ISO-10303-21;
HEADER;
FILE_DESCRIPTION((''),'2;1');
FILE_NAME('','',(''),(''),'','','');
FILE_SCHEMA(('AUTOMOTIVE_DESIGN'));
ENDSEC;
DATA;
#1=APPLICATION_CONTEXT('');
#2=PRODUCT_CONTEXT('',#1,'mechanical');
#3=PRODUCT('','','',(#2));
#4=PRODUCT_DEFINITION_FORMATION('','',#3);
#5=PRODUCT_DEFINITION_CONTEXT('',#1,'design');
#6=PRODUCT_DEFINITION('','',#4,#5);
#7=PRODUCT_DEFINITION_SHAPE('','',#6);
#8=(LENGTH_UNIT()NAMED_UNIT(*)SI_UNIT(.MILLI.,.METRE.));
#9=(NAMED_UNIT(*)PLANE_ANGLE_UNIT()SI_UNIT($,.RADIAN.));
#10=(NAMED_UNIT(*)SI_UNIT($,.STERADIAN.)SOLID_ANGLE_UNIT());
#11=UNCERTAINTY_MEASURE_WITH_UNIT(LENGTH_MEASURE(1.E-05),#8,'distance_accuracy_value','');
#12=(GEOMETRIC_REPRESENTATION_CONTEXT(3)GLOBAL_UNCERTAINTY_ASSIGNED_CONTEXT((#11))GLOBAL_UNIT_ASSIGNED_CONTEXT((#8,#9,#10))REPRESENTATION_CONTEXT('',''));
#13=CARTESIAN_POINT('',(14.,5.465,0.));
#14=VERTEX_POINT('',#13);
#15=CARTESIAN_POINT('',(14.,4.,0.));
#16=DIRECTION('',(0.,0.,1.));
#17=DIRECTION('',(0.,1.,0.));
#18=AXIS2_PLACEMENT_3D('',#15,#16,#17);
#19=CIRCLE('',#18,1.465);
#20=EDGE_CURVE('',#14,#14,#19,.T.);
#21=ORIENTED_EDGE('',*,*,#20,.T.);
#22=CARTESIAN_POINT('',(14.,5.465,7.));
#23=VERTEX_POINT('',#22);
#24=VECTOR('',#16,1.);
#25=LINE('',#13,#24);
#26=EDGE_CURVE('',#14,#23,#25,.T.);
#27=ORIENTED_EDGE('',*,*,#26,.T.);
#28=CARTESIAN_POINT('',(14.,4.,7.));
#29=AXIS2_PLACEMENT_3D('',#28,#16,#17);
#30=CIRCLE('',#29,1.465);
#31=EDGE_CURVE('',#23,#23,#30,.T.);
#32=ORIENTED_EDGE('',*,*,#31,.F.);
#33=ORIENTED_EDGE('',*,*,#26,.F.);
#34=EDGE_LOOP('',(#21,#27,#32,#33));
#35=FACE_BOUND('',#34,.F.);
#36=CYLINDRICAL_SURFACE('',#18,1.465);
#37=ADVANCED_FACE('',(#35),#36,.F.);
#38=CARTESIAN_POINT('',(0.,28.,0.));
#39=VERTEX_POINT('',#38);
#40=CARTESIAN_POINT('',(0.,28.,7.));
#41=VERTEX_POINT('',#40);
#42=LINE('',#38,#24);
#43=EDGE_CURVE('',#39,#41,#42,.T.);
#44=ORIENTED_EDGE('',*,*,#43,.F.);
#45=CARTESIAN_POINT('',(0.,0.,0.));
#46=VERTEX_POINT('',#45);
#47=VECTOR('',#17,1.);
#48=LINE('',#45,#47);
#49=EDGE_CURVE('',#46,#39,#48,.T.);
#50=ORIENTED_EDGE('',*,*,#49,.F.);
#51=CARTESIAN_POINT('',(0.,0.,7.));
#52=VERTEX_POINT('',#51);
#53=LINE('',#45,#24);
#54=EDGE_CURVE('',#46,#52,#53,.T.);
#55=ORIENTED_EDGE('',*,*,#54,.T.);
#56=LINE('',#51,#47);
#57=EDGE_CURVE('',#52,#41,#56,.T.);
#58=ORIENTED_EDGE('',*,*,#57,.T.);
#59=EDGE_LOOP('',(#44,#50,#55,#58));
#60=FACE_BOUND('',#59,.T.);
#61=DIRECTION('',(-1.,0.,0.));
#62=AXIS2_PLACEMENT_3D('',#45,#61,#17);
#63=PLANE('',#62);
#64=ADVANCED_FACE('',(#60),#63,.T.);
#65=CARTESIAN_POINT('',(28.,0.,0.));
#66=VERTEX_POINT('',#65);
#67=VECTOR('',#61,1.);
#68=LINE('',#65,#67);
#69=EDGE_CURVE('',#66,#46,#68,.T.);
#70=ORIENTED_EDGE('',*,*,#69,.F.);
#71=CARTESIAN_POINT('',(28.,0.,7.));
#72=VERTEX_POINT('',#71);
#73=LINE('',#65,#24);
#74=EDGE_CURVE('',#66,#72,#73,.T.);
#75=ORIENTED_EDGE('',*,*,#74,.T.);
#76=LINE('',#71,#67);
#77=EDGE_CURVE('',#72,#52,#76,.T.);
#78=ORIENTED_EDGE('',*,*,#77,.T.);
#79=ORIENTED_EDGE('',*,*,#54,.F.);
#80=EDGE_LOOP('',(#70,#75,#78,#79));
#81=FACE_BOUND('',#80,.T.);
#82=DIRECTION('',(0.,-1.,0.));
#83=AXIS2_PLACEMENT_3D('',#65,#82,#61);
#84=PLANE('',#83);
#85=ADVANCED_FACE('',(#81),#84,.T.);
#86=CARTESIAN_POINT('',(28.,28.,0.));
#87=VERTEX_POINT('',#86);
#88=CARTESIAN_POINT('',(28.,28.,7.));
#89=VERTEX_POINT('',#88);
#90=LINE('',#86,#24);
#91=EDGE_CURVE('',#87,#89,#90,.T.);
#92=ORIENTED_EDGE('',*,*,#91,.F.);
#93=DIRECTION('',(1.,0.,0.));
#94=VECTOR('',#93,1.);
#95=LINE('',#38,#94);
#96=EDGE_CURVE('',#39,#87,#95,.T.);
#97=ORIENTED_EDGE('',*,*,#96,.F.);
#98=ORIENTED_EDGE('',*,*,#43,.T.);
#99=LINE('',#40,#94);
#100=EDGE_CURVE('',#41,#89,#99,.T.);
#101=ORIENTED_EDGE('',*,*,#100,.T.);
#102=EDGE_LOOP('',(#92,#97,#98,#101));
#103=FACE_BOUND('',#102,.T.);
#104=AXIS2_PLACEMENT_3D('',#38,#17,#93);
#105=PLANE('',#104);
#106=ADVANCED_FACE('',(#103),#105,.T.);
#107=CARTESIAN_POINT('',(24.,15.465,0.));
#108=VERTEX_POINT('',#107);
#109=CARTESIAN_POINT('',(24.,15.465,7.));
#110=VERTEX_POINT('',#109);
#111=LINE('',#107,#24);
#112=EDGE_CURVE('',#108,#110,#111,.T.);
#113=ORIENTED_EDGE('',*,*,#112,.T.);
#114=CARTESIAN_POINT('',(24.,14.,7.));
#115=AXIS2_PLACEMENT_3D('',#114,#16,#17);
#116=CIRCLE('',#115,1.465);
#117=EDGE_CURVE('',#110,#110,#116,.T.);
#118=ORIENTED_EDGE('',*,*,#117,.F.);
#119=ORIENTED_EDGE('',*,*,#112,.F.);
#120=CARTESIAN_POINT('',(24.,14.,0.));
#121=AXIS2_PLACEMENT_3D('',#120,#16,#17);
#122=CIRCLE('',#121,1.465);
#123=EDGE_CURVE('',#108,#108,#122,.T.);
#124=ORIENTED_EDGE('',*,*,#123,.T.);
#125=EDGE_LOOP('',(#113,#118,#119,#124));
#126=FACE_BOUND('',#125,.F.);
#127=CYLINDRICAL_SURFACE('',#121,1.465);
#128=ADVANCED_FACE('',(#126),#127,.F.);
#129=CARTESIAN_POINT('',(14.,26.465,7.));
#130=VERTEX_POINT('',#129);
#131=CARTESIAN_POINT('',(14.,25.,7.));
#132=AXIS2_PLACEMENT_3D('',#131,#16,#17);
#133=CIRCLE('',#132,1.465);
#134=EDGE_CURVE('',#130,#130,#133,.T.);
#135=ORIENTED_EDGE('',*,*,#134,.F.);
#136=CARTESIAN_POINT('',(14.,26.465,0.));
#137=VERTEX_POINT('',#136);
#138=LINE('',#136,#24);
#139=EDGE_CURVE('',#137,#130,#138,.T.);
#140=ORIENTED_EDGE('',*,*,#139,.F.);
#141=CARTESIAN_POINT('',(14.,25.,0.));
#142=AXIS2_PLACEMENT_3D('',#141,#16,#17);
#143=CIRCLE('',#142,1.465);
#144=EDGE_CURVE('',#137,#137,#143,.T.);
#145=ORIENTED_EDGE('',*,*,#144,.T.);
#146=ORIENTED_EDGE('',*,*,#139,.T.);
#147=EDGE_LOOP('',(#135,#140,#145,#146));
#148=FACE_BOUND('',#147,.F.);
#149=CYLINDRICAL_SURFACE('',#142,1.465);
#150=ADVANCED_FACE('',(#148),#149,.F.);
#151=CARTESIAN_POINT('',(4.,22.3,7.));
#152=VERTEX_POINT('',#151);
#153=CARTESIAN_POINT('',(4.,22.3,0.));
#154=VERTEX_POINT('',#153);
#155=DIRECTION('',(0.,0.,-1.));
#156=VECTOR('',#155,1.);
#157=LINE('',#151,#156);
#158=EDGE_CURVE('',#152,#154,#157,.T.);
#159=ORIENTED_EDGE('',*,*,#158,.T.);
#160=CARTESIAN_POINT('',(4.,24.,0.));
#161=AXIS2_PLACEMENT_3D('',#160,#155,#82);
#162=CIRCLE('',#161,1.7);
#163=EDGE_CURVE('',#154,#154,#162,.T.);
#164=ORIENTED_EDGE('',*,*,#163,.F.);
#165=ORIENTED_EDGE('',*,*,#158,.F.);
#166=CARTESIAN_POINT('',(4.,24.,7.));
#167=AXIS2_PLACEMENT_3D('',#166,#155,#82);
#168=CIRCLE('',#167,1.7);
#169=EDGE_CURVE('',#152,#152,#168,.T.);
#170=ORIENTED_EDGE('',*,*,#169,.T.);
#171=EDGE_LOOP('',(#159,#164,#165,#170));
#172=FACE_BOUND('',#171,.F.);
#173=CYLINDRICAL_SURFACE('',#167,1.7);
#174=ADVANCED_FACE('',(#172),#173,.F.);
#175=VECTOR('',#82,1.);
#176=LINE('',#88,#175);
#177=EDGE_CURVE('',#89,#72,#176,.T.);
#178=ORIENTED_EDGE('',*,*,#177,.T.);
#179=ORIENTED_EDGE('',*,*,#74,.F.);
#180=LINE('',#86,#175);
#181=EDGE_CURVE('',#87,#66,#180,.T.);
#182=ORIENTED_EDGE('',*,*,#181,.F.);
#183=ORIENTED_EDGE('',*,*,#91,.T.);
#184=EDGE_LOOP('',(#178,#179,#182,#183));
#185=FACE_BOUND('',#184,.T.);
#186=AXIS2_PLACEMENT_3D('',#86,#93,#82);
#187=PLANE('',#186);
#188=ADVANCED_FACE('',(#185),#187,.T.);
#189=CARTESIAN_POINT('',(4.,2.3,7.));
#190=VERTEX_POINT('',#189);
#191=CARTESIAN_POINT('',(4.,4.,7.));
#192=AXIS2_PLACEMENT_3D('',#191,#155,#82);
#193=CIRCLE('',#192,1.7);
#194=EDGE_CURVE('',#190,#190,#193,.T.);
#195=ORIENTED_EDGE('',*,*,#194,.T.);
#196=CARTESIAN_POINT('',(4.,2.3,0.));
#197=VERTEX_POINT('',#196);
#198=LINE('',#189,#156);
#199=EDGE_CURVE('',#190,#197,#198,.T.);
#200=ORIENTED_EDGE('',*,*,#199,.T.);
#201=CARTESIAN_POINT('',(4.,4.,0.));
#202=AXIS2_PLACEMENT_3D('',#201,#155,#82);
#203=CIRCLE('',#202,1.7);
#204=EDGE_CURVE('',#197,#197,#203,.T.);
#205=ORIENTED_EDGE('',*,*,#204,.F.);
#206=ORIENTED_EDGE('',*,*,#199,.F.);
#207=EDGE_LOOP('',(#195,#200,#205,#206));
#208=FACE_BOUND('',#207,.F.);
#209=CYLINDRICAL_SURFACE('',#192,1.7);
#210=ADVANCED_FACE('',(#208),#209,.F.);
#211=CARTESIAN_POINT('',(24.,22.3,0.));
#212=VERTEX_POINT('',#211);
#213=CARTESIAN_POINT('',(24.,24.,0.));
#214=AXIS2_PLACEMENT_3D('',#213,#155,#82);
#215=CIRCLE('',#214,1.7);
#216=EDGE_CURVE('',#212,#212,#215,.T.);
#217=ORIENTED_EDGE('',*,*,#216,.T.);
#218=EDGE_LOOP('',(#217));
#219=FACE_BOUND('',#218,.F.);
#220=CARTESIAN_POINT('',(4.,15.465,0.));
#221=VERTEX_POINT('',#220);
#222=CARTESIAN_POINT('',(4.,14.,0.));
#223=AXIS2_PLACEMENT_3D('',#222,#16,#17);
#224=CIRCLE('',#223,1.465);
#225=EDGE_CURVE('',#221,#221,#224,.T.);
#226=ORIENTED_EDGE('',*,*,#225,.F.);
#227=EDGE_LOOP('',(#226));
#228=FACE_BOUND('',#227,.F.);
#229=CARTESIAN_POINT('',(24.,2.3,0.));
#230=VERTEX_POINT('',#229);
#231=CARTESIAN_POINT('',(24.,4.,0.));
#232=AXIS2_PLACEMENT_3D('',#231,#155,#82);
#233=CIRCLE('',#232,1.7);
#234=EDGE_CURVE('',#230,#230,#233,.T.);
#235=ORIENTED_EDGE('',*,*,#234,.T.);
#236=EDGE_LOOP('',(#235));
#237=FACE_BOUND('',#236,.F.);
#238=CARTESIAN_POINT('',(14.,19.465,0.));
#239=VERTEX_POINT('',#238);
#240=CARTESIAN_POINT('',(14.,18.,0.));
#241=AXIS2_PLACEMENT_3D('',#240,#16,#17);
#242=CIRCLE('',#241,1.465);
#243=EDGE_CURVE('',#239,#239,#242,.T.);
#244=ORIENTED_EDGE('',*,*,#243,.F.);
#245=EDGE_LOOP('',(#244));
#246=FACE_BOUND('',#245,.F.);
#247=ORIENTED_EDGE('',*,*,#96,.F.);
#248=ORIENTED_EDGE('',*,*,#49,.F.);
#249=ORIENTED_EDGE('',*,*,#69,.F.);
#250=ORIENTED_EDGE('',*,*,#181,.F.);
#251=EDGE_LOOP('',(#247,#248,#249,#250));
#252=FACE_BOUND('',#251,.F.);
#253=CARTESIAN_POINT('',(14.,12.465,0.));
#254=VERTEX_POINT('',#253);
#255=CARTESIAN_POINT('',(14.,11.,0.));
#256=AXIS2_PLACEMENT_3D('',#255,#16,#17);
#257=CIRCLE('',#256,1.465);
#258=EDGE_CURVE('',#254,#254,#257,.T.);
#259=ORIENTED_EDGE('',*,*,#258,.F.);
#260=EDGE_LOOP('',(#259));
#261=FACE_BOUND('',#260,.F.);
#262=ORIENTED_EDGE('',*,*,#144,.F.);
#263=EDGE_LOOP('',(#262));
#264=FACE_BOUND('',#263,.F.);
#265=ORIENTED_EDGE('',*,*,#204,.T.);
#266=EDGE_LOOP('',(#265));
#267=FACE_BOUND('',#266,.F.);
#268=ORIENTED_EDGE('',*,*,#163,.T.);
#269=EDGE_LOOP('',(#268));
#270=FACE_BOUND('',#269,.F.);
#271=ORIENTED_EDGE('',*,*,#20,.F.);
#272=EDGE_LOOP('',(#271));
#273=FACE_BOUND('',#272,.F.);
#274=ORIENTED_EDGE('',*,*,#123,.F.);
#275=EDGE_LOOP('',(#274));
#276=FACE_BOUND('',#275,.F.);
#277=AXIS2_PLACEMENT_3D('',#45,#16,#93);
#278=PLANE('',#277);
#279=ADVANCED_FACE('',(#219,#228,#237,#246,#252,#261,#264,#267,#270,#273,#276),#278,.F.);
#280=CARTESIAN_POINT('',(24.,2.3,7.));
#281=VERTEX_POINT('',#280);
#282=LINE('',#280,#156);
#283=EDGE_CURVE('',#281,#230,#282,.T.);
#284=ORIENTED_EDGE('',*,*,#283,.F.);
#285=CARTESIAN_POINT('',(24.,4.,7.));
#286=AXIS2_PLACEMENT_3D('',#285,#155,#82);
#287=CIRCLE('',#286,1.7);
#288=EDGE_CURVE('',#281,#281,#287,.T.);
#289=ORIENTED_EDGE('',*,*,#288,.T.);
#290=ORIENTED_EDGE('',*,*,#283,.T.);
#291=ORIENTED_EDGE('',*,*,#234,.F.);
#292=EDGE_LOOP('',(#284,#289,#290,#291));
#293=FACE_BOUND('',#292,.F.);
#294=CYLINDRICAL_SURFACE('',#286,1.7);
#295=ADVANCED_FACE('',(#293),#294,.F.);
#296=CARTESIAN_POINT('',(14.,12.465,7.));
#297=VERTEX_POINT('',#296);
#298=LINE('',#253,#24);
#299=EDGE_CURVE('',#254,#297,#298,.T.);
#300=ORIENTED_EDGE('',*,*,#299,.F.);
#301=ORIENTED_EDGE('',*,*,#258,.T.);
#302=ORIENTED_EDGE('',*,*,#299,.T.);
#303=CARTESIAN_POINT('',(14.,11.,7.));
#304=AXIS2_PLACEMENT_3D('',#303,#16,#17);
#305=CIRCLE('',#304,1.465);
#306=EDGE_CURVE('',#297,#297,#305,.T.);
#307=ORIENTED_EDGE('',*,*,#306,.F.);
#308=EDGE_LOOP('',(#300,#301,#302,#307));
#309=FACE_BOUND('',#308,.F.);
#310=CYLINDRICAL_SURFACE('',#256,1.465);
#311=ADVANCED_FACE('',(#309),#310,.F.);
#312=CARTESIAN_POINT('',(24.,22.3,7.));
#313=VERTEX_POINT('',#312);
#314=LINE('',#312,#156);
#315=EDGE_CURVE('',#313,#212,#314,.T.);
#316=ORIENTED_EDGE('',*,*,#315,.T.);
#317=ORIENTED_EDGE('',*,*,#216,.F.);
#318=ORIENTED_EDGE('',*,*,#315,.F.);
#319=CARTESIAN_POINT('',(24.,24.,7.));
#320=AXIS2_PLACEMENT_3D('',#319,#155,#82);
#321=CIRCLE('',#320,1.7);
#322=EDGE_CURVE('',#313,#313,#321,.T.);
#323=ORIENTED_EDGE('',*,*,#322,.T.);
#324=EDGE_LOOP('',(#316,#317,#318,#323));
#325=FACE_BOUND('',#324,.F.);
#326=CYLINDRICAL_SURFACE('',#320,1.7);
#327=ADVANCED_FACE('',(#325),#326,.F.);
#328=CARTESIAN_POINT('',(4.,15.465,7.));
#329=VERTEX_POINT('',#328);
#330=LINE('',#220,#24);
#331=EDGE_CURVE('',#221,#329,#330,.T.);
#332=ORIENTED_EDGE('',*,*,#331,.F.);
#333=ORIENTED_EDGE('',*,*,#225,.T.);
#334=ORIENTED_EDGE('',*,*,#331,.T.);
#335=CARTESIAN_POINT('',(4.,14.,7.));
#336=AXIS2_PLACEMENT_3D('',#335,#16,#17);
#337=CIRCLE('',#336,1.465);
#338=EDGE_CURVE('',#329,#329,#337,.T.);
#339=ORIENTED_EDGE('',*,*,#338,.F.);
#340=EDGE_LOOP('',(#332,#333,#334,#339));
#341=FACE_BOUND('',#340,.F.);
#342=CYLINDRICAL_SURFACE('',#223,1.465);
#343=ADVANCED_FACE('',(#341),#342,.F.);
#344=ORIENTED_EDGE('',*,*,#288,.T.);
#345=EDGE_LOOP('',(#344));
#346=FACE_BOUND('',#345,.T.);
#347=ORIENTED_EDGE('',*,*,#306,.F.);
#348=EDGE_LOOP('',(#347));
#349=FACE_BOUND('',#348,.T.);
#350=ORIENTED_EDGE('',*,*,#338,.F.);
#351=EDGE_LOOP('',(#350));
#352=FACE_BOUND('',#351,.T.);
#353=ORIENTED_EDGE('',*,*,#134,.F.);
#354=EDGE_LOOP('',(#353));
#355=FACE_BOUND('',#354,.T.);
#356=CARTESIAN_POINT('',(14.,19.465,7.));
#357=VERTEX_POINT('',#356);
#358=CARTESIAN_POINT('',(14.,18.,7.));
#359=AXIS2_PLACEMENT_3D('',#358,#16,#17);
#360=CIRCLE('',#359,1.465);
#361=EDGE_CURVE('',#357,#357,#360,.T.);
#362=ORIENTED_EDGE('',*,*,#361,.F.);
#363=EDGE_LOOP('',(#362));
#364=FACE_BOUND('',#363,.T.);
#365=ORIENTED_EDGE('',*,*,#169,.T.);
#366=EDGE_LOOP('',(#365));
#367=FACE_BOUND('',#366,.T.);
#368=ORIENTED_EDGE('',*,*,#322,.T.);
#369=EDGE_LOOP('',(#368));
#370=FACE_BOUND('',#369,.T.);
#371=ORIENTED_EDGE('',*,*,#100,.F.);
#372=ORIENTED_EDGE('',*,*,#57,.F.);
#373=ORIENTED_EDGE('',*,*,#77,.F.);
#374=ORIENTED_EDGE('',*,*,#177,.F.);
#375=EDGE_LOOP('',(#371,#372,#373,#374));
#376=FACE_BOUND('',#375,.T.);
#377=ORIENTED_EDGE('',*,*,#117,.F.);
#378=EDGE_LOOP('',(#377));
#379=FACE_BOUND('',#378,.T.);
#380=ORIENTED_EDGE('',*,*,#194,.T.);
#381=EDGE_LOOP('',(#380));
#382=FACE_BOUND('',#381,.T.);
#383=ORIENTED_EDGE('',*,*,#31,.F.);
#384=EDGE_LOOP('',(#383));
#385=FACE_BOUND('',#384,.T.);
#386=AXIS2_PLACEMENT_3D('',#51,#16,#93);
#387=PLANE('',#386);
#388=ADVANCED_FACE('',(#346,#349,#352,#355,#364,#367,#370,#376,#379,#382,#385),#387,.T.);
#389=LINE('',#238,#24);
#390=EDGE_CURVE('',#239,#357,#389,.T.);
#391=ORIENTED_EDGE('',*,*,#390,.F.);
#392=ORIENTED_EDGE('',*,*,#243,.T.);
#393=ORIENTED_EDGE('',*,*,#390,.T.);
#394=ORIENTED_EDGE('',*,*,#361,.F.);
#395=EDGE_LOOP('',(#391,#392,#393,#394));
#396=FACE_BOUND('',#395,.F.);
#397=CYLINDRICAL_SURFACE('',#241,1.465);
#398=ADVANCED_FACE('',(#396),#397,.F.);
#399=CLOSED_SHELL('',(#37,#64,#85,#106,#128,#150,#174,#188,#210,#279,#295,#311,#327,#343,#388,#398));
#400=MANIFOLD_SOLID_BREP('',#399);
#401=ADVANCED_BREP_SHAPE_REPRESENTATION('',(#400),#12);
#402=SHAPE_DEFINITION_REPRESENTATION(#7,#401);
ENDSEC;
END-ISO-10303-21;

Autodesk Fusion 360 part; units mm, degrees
sketch "Sketch1" plane through (0, 0, 0) normal (0, 0, 1) x (1, 0, 0)
  line L0 (0, 28) -> (28, 28)
  line L1 (28, 28) -> (28, 0)
  line L2 (28, 0) -> (0, 0)
  line L3 (0, 0) -> (0, 28)
  dimension "d1" = 28
  dimension "d2" = 28
  dimension "d13" = 28
  dimension "d14" = 28
sketch "Sketch2" plane through (0, 0, 0) normal (0, 0, 1) x (1, 0, 0)
  circle A0 centre (4, 24) radius 1.5
  circle A1 centre (4, 4) radius 1.5
  circle A2 centre (24, 4) radius 1.5
  circle A3 centre (24, 24) radius 1.5
  circle A4 centre (4, 14) radius 1.5
  circle A5 centre (14, 25) radius 1.5
  circle A6 centre (14, 18) radius 1.5
  circle A7 centre (14, 4) radius 1.5
  circle A8 centre (24, 14) radius 1.5
  circle A9 centre (14, 11) radius 1.5
  dimension "d15" = 3
  dimension "d16" = 3
  dimension "d17" = 3
  dimension "d18" = 3
  dimension "d19" = 3
  dimension "d20" = 3
  dimension "d21" = 3
  dimension "d22" = 3
  dimension "d23" = 3
  dimension "d24" = 3
  dimension "d25" = 10
  dimension "d26" = 10
  dimension "d27" = 10
  dimension "d28" = 10
  dimension "d29" = 10
  dimension "d30" = 10
  dimension "d31" = 7
  dimension "d32" = 7
  dimension "d33" = 7
extrude "Extrude1" add sketch "Sketch1" along normal blind 7
hole "Hole1" at (14, 25, 0) at (4, 14, 0) at (14, 18, 0) at (14, 11, 0) at (24, 14, 0) at (14, 4, 0) direction (0, 0, 1) diameter 2.93 depth 7 tip angle 180
sketch "Sketch3" plane through (0, 0, 7) normal (0, 0, 1) x (-1, 0, 0)
  circle A0 centre (-24, -14) radius 1.465
  circle A1 centre (-14, -18) radius 1.465
  circle A2 centre (-14, -25) radius 1.465
  circle A3 centre (-4, -14) radius 1.465
  circle A4 centre (-14, -11) radius 1.465
  circle A5 centre (-14, -4) radius 1.465
  line L0 (0, 0) -> (-28, 0)
  line L1 (-28, 0) -> (-28, -28)
  line L2 (-28, -28) -> (0, -28)
  line L3 (0, -28) -> (0, 0)
  circle A6 centre (-4, -24) radius 2
  circle A7 centre (-4, -4) radius 2
  circle A8 centre (-24, -4) radius 2
  circle A9 centre (-24, -24) radius 2
hole "Hole2" at (4, 24, 7) at (24, 24, 7) at (24, 4, 7) at (4, 4, 7) direction (0, 0, -1) diameter 3.4 depth 7 tip angle 180
